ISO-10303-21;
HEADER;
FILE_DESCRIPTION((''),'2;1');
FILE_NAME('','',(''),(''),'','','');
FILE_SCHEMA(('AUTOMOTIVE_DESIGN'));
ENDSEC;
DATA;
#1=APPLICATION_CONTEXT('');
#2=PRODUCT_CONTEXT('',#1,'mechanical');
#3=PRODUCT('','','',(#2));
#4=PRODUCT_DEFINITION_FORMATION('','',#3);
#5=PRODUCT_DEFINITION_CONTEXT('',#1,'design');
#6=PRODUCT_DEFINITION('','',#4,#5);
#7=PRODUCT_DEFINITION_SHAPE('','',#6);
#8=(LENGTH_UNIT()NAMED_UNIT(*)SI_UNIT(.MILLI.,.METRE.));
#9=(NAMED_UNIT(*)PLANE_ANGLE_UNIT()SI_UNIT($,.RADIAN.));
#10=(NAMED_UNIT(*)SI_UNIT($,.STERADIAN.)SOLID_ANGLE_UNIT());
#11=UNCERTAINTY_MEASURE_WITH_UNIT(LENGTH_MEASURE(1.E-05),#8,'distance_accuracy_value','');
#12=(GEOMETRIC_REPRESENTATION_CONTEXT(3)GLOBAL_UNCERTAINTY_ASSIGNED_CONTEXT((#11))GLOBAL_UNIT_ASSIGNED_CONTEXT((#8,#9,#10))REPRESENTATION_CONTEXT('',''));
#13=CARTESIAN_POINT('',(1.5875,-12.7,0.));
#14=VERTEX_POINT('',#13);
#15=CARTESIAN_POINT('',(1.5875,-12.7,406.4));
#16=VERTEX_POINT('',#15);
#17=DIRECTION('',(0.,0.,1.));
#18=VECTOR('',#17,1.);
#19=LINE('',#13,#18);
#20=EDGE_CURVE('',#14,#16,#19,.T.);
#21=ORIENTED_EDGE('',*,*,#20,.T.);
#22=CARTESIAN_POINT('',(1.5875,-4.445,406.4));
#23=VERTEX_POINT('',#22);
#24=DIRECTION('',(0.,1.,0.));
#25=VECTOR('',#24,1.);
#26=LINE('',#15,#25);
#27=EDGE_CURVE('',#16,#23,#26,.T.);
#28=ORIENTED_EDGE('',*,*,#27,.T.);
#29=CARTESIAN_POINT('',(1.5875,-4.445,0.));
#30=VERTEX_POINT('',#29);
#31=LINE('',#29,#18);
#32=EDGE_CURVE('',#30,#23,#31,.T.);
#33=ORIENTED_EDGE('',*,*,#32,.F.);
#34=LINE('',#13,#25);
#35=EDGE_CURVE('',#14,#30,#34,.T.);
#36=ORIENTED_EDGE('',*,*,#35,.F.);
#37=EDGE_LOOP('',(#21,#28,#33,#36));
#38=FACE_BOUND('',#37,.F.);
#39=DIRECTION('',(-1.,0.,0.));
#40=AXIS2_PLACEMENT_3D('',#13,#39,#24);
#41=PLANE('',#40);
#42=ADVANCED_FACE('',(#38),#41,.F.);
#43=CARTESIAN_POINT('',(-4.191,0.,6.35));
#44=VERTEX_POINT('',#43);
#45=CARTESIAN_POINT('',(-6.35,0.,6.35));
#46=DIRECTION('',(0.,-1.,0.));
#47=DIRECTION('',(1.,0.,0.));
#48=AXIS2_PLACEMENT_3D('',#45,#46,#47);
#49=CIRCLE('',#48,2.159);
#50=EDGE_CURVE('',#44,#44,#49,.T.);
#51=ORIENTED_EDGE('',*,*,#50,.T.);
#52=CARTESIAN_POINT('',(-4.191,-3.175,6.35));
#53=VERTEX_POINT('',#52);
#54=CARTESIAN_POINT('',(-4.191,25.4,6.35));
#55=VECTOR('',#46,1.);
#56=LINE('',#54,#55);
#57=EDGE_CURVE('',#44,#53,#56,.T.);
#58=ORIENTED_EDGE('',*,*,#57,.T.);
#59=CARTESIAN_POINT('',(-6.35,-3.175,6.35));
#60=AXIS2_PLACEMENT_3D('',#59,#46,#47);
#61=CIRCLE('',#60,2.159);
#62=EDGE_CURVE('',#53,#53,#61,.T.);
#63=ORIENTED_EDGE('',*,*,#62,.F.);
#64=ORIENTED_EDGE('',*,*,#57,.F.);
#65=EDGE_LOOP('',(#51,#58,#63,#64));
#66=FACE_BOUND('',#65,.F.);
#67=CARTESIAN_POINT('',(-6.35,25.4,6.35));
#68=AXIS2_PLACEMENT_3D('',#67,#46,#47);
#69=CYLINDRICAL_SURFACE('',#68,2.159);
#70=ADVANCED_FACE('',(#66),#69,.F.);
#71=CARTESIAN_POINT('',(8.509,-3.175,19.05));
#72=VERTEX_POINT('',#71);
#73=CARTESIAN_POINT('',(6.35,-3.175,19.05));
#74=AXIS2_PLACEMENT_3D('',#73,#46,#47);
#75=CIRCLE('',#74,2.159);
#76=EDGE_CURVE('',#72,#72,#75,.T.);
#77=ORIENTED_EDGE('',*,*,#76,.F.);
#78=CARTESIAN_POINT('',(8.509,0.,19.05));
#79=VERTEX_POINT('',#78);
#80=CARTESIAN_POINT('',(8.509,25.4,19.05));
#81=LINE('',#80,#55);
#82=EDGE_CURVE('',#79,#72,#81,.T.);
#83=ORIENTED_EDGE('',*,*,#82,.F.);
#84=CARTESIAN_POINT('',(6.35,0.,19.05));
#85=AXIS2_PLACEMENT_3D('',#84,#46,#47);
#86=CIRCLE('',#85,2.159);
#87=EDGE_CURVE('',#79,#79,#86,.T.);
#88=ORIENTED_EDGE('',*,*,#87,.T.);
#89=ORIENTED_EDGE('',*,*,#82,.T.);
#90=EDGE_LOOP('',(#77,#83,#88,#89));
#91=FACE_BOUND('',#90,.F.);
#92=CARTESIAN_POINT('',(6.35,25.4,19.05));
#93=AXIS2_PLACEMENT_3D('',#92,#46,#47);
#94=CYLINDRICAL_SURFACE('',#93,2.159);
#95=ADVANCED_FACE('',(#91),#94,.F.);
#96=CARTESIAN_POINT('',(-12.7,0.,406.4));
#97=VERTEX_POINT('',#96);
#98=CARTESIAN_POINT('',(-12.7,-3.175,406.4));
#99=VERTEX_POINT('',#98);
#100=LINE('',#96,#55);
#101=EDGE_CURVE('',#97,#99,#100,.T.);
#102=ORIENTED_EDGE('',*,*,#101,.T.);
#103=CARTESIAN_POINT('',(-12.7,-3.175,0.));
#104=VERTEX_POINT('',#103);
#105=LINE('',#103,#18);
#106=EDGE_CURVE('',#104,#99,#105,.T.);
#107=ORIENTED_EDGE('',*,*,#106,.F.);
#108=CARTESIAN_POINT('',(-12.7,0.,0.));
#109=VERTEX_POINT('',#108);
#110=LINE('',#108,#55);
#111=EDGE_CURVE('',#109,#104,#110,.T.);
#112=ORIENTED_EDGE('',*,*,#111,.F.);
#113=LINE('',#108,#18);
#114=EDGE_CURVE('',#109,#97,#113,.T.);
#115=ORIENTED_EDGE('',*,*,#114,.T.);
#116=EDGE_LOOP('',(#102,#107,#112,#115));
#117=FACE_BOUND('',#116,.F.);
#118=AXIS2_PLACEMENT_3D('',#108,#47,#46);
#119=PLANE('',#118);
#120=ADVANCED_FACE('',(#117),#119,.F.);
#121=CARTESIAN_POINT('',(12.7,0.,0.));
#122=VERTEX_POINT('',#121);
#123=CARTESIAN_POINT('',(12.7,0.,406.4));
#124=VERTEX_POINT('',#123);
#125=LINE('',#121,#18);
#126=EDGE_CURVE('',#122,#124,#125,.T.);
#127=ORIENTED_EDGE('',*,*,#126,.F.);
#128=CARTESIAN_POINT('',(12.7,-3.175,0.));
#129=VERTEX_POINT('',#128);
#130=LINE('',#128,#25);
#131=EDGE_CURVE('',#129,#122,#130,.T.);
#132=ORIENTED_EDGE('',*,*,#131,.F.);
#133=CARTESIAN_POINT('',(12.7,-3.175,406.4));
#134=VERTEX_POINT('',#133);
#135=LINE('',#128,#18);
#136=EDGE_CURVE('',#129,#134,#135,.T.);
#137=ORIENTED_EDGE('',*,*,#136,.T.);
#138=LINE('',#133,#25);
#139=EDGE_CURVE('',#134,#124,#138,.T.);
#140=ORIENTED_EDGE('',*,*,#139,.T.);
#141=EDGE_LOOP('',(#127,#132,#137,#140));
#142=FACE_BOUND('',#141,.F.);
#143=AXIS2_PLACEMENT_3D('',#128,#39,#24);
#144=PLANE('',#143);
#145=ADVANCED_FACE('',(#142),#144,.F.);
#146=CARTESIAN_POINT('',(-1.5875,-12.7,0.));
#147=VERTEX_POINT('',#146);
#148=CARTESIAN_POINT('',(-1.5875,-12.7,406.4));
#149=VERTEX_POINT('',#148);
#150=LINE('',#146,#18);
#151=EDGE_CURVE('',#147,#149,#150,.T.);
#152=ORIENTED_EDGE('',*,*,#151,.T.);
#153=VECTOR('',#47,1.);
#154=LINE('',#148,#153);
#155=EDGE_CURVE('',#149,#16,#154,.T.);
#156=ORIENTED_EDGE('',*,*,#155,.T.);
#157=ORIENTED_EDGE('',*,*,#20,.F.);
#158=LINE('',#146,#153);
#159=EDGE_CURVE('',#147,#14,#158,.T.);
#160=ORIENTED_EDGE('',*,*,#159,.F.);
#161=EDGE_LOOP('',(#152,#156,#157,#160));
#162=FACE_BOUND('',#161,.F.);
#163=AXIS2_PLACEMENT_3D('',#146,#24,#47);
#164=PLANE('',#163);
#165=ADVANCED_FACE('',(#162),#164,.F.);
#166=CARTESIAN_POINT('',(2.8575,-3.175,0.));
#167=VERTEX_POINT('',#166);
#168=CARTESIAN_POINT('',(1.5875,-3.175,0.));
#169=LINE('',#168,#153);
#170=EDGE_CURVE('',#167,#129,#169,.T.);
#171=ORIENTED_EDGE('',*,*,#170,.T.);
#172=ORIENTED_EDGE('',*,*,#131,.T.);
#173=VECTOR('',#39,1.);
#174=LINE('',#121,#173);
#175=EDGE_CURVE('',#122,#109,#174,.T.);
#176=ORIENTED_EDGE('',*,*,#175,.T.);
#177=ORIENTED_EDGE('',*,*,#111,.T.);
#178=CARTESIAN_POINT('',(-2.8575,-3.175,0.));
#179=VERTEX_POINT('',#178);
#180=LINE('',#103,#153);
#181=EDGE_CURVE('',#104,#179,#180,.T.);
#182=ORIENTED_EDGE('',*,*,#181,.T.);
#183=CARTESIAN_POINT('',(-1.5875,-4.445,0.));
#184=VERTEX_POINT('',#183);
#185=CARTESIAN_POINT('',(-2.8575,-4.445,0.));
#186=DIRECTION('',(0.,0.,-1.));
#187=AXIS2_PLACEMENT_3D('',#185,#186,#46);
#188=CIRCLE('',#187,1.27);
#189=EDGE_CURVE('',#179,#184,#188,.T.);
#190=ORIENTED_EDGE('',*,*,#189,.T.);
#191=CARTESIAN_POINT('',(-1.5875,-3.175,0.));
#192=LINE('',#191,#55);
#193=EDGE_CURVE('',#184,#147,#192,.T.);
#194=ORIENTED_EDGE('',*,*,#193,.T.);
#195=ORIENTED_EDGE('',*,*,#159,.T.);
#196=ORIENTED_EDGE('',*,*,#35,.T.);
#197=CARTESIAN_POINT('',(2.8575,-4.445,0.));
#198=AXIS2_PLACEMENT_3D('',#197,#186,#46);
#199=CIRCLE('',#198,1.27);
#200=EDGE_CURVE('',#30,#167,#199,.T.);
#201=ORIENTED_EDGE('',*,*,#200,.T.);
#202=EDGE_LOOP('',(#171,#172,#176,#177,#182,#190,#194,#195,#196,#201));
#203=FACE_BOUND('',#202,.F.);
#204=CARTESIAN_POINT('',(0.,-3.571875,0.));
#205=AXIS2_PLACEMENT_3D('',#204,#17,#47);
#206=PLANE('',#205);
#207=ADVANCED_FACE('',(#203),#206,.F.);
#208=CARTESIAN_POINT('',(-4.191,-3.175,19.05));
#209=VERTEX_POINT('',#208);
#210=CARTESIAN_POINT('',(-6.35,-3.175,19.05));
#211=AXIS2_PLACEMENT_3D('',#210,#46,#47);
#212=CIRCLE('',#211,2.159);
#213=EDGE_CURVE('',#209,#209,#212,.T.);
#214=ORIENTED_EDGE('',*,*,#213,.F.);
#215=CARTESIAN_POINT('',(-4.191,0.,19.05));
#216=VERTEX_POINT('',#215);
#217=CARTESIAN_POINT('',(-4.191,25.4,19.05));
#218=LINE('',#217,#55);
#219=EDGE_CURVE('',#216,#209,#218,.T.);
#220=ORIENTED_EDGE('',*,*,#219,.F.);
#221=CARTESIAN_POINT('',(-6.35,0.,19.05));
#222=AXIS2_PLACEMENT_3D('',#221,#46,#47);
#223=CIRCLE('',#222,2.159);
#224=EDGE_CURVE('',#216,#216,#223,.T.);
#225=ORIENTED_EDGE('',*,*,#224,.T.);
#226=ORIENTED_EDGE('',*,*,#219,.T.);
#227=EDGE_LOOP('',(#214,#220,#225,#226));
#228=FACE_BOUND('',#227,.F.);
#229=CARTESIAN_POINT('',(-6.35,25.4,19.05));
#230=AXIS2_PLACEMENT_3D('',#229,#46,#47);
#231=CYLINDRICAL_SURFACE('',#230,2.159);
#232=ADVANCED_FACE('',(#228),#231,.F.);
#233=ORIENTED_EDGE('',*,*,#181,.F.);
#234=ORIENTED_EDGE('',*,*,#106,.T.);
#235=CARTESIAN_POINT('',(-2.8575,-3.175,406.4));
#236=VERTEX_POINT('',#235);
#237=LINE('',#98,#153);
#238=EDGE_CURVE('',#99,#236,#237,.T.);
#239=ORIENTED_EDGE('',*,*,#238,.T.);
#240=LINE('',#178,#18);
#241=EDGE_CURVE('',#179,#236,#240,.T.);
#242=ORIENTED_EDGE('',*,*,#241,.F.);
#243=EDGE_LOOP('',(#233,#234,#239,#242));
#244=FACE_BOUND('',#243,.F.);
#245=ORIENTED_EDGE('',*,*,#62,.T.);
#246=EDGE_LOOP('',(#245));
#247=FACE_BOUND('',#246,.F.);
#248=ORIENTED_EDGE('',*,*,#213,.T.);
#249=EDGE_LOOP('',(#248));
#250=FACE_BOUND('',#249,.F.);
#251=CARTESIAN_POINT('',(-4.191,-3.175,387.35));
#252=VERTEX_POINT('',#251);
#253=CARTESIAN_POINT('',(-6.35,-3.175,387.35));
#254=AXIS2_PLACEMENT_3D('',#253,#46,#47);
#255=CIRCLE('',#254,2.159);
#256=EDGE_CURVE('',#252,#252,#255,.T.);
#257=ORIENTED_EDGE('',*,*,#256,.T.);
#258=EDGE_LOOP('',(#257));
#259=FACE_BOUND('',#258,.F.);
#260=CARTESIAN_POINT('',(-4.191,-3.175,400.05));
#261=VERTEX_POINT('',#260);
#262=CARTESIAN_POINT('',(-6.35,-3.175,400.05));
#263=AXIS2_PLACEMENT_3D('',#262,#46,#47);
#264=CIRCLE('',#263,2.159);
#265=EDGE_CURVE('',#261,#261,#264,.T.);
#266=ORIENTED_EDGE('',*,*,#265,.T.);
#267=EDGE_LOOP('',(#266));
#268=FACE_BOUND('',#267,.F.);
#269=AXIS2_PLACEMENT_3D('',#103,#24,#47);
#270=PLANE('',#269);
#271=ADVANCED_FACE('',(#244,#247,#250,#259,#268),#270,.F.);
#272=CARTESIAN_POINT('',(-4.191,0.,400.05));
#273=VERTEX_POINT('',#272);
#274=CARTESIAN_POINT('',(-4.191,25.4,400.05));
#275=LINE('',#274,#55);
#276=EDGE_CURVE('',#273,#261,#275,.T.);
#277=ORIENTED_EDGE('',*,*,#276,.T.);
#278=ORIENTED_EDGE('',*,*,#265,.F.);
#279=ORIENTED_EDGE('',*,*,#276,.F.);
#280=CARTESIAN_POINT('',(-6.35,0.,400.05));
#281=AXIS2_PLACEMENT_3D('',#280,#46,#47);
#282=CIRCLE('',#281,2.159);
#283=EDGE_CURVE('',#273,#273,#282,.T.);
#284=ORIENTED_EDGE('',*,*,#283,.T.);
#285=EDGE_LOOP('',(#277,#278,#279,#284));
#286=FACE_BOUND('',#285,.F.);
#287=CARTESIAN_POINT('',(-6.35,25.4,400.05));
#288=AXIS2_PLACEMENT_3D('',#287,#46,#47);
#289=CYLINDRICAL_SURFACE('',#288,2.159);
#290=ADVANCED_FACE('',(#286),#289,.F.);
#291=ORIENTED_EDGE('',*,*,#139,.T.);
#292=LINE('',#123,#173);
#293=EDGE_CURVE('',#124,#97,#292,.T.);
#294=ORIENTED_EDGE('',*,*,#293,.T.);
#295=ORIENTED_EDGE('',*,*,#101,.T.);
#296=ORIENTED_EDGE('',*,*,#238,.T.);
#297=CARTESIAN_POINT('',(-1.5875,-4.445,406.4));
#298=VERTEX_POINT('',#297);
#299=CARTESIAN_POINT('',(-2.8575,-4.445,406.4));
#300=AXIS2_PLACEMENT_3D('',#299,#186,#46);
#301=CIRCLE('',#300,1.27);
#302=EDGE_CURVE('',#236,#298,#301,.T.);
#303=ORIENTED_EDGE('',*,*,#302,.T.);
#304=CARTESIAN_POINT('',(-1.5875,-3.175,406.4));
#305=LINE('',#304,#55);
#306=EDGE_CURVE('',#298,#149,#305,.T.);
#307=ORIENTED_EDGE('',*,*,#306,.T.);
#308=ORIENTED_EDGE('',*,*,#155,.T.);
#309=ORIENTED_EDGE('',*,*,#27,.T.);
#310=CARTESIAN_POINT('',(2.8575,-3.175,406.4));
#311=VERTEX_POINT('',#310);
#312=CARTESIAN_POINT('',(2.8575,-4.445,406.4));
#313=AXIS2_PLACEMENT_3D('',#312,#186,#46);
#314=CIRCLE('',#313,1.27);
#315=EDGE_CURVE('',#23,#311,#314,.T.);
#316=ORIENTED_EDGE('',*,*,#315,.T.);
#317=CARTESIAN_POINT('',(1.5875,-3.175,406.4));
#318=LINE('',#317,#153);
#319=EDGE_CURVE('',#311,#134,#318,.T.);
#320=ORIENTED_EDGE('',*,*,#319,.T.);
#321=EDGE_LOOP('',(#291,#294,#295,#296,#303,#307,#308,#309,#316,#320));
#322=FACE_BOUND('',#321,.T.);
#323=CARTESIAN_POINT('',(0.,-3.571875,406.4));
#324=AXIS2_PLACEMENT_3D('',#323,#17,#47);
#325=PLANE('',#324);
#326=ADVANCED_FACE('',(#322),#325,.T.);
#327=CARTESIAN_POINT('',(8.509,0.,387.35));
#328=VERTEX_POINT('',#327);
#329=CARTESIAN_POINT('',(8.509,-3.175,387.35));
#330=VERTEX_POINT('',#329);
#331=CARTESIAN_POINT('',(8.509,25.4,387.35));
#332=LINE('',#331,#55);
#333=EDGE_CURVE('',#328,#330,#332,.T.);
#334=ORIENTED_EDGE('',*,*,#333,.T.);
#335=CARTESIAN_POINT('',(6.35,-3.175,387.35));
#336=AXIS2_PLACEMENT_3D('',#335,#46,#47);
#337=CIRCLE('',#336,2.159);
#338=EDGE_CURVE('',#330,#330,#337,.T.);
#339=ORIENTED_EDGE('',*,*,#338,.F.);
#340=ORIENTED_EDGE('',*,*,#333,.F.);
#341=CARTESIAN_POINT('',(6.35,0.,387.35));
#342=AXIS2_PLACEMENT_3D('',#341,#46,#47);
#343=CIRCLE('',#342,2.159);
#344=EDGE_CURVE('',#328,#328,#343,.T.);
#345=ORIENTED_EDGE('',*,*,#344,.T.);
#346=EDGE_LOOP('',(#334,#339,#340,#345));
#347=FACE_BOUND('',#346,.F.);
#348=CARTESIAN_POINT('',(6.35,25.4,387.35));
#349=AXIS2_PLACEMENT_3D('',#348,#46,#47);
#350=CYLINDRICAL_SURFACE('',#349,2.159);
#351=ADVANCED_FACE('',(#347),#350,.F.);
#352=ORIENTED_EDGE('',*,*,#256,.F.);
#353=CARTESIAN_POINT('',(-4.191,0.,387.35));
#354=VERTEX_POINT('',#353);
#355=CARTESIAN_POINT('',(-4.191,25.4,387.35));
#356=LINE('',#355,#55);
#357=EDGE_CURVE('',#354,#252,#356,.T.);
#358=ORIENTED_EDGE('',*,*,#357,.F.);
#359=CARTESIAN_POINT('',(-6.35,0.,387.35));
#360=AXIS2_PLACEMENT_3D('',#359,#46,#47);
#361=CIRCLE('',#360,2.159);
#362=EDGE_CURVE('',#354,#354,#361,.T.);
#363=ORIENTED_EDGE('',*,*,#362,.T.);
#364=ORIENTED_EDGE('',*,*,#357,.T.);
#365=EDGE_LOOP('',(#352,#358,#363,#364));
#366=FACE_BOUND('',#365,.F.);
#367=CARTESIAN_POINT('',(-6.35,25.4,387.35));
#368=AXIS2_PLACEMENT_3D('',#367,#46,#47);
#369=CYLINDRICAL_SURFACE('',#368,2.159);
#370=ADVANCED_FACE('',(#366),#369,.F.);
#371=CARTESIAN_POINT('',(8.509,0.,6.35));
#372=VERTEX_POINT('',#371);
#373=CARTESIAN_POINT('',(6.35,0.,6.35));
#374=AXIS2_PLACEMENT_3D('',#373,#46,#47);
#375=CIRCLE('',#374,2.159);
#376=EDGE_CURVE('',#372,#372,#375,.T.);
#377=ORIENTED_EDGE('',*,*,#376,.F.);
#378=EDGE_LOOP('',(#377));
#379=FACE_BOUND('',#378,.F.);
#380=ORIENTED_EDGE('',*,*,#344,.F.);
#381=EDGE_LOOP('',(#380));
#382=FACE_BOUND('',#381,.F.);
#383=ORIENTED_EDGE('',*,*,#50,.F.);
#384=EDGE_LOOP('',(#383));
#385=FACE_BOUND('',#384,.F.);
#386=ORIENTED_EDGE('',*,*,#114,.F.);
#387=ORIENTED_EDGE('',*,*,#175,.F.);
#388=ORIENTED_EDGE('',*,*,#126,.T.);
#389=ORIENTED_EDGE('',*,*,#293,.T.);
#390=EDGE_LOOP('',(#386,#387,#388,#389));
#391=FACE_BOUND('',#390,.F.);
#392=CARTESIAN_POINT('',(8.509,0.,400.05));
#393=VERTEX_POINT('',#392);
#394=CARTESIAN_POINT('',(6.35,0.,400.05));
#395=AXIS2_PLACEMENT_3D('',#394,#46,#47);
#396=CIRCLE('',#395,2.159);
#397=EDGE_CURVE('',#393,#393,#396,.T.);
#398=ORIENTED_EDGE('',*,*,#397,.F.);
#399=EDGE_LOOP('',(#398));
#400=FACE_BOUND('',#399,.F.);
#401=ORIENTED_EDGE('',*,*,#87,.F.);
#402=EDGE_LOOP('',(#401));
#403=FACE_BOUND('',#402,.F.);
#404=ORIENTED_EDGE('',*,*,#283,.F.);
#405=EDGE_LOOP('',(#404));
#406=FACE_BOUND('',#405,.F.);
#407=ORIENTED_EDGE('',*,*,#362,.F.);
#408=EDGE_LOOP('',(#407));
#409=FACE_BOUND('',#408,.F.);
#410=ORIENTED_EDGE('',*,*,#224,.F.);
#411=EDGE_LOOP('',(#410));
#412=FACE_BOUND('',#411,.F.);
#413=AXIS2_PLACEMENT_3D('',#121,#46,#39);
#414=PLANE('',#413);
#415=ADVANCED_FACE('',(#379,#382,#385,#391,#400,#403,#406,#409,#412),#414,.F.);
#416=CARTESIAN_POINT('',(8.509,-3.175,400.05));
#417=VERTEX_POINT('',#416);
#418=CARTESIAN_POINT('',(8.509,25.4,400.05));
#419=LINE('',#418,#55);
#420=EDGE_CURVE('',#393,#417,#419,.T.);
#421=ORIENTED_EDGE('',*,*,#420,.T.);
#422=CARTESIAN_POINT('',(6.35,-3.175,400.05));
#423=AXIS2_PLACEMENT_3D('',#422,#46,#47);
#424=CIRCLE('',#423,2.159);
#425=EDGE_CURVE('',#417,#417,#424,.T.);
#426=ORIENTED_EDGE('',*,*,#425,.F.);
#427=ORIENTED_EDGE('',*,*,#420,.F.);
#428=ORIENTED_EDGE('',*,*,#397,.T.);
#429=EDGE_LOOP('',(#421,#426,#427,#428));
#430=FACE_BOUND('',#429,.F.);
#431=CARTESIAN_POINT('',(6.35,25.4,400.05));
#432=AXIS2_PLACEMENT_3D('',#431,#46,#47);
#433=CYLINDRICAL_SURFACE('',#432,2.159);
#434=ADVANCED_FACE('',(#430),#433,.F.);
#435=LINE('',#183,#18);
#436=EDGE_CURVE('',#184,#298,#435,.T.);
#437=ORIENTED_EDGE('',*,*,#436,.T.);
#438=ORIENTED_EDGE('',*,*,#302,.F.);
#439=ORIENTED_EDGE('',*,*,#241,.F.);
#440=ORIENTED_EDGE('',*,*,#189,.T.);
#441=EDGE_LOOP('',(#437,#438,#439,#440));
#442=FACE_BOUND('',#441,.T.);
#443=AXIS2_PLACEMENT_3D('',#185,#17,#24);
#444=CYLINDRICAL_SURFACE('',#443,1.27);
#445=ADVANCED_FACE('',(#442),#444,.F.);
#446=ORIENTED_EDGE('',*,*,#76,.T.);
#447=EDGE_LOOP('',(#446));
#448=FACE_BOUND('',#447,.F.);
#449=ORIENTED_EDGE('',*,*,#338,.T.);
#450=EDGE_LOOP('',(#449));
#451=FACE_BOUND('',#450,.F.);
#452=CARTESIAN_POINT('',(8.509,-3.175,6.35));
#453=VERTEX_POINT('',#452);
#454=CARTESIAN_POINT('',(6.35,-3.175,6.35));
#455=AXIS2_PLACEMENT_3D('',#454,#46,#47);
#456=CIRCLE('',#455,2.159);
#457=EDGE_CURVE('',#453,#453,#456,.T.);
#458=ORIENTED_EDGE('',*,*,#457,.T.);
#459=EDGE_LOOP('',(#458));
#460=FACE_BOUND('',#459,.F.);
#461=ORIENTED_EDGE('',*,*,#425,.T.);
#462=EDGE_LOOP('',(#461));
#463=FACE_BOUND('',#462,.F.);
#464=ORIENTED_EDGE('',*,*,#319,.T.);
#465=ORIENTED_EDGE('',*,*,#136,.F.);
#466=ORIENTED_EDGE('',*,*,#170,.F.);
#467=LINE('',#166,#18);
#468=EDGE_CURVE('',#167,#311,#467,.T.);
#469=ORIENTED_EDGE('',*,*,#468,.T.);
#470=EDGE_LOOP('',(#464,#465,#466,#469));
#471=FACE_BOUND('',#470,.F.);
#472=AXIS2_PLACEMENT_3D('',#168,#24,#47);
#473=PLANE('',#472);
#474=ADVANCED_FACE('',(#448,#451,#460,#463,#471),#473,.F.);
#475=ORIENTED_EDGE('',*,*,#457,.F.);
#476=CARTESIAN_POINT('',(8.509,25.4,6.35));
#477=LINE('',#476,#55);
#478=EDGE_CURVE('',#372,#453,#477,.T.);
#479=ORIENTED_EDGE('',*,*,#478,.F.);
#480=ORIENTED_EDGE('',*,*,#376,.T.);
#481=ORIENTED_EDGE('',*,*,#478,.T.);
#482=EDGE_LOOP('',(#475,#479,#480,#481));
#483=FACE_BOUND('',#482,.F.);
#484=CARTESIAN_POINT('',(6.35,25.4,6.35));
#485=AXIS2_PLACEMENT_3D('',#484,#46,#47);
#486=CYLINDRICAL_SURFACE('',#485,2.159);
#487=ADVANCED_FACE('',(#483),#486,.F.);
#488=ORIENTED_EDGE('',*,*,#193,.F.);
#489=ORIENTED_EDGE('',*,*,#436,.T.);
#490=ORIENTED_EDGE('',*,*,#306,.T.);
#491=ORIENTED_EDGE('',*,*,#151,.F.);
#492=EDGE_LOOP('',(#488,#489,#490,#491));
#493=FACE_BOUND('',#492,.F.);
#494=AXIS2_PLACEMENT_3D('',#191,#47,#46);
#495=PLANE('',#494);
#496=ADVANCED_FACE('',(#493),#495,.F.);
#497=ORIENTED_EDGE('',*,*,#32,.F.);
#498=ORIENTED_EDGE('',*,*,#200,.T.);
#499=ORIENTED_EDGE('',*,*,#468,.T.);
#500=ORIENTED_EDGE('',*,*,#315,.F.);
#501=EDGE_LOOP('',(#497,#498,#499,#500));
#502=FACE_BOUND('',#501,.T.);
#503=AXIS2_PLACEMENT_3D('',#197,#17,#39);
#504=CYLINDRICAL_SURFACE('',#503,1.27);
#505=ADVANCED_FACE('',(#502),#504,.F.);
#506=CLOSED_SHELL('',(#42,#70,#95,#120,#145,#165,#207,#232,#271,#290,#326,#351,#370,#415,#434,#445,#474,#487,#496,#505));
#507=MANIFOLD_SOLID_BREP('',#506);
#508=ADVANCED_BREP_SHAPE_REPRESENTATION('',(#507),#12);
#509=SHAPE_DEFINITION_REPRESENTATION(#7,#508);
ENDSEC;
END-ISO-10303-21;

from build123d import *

# Parameters (mm, degrees)
F1_DEPTH = 406.4
F2_R     = 1.27
F4_D     = 4.318
F4_DEPTH = 25.4
F4_TIP   = 1.2972580765


with BuildPart() as f1:
    # F0 (on Top) → F1 (new body)
    with BuildSketch(Plane.XY):
        Polygon((12.7, 0), (0, 0), (-12.7, 0), (-12.7, -3.175), (-1.5875, -3.175), (-1.5875, -12.7), (0, -12.7), (1.5875, -12.7), (1.5875, -3.175), (12.7, -3.175), align=None)
    extrude(amount=F1_DEPTH)

    # F2
    f2_edges = [f1.edges().sort_by_distance(p)[0] for p in [
        (-1.5875, -3.175, 203.2),
        (1.5875, -3.175, 203.2),
    ]]
    fillet(f2_edges, radius=F2_R)

    # F4
    with Locations(Plane(origin=(0, 0, 0), x_dir=(-1, 0, 0), z_dir=(0, 1, 0))):
        with Locations((-6.35, 400.05), (-6.35, 387.35), (6.35, 387.35), (6.35, 400.05), (-6.35, 6.35), (-6.35, 19.05), (6.35, 19.05), (6.35, 6.35)):
            Hole(F4_D / 2, depth=F4_DEPTH)
            with Locations((0, 0, -(F4_DEPTH + F4_TIP / 2))):  # 118° drill point
                Cone(0, F4_D / 2, F4_TIP, mode=Mode.SUBTRACT)


solid = f1.part
